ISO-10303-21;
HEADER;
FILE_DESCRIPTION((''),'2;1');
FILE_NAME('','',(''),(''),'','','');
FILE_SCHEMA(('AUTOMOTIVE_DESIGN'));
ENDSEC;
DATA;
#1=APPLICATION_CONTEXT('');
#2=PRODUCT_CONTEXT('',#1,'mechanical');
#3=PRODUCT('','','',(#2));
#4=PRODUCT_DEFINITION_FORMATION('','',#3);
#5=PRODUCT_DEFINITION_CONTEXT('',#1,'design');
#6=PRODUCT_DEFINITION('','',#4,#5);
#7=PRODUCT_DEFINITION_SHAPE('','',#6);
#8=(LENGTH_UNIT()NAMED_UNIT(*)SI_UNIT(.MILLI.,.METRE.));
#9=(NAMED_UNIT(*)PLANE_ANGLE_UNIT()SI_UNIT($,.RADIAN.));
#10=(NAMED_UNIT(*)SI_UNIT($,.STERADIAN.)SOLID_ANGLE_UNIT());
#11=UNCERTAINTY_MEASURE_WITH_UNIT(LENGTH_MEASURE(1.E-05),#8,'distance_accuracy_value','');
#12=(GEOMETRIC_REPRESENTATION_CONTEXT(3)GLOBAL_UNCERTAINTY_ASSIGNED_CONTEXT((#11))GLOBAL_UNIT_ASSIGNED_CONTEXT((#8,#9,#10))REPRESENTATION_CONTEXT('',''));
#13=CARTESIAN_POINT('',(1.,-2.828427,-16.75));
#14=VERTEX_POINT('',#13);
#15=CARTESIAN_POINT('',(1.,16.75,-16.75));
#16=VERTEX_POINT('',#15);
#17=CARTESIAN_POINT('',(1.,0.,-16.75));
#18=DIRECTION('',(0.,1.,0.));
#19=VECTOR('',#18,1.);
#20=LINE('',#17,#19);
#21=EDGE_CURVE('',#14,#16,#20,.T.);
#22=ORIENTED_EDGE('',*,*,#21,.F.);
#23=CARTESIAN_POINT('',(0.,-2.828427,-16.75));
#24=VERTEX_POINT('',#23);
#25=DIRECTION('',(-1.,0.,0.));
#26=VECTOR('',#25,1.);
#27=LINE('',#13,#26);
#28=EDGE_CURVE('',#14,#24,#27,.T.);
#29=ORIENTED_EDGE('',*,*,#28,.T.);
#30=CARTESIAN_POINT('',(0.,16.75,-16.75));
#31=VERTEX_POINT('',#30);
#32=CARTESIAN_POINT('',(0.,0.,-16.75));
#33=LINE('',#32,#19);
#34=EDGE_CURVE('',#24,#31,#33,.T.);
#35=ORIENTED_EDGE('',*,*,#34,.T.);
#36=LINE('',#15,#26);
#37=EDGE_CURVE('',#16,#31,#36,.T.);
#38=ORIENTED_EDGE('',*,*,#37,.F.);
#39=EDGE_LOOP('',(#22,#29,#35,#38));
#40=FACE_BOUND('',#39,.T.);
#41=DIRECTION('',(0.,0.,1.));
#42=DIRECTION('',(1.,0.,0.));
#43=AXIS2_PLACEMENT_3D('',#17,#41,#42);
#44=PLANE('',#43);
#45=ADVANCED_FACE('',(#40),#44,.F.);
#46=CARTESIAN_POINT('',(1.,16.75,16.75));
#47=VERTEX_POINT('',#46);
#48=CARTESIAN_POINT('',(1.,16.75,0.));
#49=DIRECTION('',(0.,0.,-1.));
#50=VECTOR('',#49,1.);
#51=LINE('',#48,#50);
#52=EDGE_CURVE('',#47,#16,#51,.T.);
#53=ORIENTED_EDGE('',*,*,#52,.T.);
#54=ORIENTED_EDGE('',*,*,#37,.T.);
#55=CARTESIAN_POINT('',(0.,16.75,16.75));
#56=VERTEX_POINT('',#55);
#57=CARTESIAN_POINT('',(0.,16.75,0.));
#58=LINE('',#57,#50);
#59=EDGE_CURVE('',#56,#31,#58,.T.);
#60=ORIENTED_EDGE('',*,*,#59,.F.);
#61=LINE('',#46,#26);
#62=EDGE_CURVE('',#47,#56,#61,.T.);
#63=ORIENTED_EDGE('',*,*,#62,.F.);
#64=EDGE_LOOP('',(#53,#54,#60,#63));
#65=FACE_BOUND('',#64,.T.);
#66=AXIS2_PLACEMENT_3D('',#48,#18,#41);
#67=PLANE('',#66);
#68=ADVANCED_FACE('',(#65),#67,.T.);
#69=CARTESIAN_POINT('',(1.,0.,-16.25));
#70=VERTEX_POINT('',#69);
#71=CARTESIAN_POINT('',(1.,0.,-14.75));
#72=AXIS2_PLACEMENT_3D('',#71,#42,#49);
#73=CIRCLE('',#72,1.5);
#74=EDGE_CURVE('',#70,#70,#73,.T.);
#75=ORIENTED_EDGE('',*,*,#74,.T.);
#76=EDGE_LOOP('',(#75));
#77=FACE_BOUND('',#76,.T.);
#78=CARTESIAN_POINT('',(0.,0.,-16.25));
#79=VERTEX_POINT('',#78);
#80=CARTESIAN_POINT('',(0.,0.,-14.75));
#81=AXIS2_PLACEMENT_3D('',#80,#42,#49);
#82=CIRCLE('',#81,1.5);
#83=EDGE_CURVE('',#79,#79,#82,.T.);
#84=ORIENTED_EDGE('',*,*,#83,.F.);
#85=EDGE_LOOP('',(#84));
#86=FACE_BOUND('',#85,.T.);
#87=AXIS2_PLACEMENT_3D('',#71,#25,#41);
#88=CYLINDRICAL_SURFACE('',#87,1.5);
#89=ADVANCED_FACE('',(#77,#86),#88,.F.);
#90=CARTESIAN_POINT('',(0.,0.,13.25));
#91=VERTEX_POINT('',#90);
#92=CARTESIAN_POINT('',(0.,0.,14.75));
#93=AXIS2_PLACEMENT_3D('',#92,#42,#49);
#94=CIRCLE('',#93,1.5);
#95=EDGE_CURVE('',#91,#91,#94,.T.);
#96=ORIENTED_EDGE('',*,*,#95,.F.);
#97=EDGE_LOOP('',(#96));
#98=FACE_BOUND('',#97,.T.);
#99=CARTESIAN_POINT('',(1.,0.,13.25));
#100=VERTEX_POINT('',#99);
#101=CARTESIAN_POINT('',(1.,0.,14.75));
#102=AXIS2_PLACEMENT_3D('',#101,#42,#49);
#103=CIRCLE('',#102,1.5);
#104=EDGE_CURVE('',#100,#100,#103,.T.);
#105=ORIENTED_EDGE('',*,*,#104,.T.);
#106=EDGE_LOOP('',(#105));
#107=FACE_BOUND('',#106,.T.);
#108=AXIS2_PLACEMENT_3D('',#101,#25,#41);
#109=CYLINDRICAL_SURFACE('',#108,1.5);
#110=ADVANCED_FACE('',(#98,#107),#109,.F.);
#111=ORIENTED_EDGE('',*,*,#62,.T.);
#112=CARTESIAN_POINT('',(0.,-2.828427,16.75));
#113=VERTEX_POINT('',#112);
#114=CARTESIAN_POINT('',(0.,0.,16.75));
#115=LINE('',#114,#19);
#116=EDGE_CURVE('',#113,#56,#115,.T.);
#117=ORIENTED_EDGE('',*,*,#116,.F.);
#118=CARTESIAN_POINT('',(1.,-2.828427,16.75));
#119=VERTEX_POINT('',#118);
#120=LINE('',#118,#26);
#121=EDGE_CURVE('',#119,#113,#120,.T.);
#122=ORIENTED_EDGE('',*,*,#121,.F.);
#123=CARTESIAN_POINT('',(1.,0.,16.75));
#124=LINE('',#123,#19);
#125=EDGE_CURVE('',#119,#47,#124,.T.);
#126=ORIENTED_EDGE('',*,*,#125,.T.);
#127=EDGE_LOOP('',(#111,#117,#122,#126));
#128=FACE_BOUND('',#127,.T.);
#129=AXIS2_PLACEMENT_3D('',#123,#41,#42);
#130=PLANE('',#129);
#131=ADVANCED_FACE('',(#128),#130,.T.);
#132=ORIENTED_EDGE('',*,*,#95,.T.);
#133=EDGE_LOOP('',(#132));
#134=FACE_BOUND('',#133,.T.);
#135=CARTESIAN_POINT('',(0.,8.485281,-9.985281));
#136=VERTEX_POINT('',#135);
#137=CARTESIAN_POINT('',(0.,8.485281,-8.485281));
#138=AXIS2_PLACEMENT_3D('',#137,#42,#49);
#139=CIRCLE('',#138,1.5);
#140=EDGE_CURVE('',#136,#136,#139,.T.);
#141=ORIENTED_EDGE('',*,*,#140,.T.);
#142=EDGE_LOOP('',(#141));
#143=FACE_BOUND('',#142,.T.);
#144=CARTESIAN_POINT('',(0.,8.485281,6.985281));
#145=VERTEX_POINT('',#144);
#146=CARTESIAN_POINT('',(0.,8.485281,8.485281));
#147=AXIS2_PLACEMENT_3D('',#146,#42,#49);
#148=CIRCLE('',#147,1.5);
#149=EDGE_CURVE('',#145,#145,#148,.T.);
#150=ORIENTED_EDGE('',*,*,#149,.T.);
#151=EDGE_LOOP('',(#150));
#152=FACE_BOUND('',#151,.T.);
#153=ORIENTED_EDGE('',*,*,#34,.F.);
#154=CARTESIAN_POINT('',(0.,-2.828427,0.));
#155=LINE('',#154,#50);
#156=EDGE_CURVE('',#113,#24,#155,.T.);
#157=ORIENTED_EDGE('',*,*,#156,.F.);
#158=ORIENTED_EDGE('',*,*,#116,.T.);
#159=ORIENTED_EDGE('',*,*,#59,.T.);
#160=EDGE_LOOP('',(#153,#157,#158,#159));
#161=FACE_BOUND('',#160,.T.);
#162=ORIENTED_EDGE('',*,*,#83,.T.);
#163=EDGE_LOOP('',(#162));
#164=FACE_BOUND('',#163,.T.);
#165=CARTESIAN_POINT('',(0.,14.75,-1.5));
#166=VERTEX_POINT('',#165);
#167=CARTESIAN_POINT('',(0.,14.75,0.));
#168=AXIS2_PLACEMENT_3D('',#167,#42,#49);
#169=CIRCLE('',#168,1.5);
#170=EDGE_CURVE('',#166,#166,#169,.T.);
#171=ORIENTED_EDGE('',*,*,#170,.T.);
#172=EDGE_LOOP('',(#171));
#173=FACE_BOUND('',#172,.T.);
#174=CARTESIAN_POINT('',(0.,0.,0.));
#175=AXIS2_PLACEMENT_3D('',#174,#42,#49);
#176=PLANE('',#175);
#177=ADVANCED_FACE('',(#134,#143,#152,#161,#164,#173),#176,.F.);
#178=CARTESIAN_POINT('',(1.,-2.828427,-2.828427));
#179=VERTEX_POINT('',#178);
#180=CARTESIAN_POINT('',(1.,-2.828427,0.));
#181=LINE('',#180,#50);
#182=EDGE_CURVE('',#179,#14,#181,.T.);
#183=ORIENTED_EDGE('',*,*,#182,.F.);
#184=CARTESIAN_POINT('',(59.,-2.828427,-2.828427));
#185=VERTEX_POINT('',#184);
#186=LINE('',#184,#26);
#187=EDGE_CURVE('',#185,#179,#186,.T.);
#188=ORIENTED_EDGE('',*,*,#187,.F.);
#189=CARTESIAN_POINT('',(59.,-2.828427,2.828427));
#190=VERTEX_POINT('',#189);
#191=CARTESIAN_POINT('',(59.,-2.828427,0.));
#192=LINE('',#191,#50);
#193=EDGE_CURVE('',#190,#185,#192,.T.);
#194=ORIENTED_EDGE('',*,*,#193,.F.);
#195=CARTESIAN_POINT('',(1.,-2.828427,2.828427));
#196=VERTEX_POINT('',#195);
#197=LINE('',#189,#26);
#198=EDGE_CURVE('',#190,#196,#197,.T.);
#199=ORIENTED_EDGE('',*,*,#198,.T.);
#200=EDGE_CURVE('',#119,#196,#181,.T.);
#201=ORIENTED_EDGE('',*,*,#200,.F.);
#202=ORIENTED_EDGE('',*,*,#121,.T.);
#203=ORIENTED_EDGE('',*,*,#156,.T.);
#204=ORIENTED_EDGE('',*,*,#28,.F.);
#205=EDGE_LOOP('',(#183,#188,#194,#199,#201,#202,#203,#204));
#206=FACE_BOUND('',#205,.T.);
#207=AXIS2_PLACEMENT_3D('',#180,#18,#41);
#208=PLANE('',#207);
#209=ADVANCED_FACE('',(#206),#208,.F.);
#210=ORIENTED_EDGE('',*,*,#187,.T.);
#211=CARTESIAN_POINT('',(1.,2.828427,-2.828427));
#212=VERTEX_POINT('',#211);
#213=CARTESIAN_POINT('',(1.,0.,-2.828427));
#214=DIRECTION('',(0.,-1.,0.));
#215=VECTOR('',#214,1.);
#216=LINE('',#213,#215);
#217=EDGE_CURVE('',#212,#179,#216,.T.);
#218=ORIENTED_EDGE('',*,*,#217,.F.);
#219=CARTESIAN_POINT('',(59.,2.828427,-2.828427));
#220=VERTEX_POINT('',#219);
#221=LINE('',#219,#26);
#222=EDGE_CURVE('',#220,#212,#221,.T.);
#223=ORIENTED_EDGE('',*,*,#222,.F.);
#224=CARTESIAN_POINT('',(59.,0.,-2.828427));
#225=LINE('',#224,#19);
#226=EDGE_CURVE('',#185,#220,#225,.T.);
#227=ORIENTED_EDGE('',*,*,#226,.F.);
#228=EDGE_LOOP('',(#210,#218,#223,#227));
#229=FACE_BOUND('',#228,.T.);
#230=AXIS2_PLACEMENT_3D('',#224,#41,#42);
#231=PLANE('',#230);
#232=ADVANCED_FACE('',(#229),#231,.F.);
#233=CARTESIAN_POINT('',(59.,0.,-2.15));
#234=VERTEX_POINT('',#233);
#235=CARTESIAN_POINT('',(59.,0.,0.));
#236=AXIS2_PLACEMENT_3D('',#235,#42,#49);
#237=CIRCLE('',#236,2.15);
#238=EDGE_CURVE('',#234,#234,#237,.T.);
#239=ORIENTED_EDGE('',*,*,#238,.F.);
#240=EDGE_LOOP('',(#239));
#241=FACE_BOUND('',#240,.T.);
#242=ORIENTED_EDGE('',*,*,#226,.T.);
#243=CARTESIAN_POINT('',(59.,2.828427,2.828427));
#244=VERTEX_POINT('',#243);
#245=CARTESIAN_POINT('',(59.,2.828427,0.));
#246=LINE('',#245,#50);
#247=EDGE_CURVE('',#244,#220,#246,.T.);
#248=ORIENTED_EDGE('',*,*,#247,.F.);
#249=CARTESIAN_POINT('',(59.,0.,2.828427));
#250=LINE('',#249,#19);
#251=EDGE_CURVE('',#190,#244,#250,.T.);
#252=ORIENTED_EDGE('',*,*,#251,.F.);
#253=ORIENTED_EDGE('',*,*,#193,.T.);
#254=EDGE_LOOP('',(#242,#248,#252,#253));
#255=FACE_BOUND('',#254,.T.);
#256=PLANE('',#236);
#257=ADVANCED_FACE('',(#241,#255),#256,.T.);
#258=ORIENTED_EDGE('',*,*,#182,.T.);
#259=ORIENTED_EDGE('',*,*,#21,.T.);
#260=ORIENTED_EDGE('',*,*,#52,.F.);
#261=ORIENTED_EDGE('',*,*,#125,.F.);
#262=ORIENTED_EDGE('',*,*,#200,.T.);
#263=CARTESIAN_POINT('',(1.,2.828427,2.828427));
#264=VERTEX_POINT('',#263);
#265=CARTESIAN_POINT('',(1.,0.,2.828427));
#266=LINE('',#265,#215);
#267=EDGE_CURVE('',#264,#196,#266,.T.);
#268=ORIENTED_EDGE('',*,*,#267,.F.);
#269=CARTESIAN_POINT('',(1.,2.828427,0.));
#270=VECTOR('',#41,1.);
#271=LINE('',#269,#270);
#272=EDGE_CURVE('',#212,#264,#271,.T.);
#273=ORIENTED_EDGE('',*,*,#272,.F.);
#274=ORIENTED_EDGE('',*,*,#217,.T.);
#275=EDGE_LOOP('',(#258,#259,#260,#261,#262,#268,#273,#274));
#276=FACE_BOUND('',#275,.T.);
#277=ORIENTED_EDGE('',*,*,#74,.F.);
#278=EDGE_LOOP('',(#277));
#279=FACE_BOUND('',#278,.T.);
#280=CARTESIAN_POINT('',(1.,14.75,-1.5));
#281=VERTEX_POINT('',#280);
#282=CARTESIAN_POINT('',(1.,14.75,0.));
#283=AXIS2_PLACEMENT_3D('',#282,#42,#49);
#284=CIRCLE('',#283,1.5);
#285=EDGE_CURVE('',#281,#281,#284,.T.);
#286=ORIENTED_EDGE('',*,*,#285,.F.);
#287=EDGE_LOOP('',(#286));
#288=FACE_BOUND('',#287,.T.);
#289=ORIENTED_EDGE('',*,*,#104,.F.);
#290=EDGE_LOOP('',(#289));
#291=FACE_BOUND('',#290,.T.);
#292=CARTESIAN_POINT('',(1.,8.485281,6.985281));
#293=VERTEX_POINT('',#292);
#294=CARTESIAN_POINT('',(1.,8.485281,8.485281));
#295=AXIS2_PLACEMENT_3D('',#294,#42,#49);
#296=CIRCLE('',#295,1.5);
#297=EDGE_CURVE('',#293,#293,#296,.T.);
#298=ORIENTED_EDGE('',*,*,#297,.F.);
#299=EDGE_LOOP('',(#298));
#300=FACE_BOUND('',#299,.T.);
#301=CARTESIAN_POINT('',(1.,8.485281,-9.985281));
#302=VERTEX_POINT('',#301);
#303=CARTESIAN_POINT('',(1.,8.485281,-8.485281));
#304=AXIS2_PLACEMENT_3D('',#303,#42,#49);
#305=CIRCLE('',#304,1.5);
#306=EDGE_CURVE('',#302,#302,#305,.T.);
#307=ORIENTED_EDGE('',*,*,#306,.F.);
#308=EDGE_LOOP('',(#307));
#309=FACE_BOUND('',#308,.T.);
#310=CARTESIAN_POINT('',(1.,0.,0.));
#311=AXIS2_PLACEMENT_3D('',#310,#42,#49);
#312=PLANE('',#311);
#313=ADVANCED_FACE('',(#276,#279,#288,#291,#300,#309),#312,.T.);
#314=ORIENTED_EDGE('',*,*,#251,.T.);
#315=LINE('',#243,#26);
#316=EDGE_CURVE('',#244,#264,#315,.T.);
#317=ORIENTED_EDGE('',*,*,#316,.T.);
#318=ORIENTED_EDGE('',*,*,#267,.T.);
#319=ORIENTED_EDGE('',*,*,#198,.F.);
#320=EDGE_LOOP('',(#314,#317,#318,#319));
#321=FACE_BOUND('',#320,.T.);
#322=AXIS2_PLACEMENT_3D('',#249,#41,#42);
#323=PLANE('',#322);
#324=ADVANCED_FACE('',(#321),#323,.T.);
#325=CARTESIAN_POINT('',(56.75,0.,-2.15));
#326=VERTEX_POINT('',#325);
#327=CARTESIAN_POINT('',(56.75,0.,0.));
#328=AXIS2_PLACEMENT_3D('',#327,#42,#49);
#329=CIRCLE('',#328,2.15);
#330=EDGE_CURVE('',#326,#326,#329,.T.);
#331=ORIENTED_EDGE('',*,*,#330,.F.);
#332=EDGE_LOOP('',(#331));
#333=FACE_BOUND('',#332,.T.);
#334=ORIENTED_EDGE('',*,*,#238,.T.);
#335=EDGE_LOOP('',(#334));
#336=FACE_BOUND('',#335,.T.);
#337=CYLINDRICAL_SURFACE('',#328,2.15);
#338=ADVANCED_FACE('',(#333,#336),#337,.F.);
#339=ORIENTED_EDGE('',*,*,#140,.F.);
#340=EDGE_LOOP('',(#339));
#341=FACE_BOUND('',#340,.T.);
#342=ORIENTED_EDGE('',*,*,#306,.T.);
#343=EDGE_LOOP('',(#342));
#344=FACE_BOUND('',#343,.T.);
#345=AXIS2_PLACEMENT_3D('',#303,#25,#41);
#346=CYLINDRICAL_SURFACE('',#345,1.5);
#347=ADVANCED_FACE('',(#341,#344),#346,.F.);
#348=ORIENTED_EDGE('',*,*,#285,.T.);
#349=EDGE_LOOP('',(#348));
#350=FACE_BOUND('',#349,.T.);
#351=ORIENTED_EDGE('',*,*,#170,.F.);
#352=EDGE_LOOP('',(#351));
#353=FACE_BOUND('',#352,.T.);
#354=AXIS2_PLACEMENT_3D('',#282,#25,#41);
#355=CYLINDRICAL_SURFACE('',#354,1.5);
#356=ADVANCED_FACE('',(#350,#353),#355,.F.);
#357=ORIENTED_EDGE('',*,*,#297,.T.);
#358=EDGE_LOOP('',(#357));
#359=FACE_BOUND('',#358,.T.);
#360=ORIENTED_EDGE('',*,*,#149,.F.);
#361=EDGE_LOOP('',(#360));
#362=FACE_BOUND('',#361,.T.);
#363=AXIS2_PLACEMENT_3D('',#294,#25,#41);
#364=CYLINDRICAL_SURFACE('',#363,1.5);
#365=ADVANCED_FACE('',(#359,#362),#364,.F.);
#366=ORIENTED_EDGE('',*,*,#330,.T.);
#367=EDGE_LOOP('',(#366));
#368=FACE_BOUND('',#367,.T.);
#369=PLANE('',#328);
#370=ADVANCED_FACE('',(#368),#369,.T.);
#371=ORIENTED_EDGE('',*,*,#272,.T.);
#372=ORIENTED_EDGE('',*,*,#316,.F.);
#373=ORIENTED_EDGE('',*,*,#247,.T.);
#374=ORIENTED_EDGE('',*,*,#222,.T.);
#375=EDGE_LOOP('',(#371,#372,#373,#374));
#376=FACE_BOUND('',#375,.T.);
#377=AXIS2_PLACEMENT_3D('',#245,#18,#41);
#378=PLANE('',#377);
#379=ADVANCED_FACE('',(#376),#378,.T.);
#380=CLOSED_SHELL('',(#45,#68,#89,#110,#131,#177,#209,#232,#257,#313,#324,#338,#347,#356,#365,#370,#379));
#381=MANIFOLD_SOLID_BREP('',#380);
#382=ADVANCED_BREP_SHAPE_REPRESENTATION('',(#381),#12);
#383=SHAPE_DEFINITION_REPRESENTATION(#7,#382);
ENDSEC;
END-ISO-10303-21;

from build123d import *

# Parameters (mm, degrees)
SKETCH1_W           = 33.5
SKETCH1_H           = 19.578427125
SKETCH1_R           = 1.5
BOSS_EXTRUDE1_DEPTH = 1
SKETCH1_3_W         = 5.65685425
SKETCH1_3_H         = 5.65685425
BOSS_EXTRUDE2_DEPTH = 59
SKETCH3_R           = 2.15
CUT_EXTRUDE1_DEPTH  = 2.25


with BuildPart() as part:
    # Sketch1 → Boss-Extrude1 (new body)
    with BuildSketch(Plane(origin=(0, 0, 0), x_dir=(0, 0, -1), z_dir=(1, 0, 0))):
        with Locations((0, 6.960786437)):
            Rectangle(SKETCH1_W, SKETCH1_H)
        with Locations((-14.75, 0)):
            Circle(SKETCH1_R, mode=Mode.SUBTRACT)
        with Locations((14.75, 0)):
            Circle(SKETCH1_R, mode=Mode.SUBTRACT)
        with Locations((-8.485281374, 8.485281374)):
            Circle(SKETCH1_R, mode=Mode.SUBTRACT)
        with Locations((8.485281374, 8.485281374)):
            Circle(SKETCH1_R, mode=Mode.SUBTRACT)
        with Locations((0, 14.75)):
            Circle(SKETCH1_R, mode=Mode.SUBTRACT)
    extrude(amount=BOSS_EXTRUDE1_DEPTH)

    # Sketch1<3> → Boss-Extrude2 (add)
    with BuildSketch(Plane(origin=(0, 0, 0), x_dir=(0, 0, -1), z_dir=(1, 0, 0))):
        Rectangle(SKETCH1_3_W, SKETCH1_3_H)
    extrude(amount=BOSS_EXTRUDE2_DEPTH)

    # Sketch3 → Cut-Extrude1 (cut)
    with BuildSketch(Plane(origin=(59, 0, 0), x_dir=(0, 0, -1), z_dir=(1, 0, 0))):
        Circle(SKETCH3_R)
    extrude(amount=-CUT_EXTRUDE1_DEPTH, mode=Mode.SUBTRACT)


solid = part.part
